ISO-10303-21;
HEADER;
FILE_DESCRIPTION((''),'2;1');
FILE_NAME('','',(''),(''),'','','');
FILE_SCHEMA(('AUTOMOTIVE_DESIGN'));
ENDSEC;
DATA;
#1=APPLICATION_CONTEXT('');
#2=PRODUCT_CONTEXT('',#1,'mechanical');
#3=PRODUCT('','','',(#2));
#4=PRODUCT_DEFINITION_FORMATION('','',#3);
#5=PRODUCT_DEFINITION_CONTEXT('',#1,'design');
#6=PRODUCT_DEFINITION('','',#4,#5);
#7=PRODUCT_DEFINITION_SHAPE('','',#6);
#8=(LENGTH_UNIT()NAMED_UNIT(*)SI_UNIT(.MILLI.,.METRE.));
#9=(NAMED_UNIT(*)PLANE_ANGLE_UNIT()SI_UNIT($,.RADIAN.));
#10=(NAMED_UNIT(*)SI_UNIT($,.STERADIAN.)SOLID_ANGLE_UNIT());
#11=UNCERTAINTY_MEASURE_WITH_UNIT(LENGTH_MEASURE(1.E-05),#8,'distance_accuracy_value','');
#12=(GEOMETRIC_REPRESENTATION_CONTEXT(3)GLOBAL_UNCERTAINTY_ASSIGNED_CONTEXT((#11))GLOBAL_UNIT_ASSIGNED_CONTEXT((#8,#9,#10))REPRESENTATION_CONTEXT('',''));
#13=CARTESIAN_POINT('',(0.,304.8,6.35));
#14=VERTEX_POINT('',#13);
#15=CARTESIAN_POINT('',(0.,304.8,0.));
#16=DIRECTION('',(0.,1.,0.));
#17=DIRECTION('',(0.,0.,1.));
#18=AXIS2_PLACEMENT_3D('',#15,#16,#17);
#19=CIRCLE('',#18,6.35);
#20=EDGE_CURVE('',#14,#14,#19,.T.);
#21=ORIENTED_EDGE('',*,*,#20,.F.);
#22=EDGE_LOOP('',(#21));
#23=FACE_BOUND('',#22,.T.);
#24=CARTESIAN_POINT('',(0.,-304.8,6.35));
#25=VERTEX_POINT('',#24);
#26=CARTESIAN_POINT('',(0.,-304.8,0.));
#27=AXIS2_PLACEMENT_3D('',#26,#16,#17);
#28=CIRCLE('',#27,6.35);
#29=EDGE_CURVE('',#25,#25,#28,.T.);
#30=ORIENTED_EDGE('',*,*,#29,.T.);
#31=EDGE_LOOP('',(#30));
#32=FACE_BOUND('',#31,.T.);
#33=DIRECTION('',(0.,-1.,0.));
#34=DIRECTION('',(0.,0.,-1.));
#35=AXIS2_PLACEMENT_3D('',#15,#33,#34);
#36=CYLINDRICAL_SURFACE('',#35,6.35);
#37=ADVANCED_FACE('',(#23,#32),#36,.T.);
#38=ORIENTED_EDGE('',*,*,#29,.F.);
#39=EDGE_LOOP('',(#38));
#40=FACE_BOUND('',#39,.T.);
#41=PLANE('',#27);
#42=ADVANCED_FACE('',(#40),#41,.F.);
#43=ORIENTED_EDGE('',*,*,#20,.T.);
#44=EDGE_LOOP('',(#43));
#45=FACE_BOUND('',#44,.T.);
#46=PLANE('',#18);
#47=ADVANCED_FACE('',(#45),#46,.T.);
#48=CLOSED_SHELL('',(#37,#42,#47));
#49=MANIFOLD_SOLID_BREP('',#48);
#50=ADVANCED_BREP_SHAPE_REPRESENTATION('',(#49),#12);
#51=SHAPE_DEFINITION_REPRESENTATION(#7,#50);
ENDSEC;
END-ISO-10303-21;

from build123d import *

# Parameters (mm, degrees)
SKETCH1_R           = 6.35
BOSS_EXTRUDE1_DEPTH = 304.8


with BuildPart() as part:
    # Sketch1 → Boss-Extrude1 (new body, symmetric)
    with BuildSketch(Plane(origin=(0, 0, 0), x_dir=(1, 0, 0), z_dir=(0, 1, 0))):
        Circle(SKETCH1_R)
    extrude(amount=BOSS_EXTRUDE1_DEPTH, both=True)


solid = part.part
